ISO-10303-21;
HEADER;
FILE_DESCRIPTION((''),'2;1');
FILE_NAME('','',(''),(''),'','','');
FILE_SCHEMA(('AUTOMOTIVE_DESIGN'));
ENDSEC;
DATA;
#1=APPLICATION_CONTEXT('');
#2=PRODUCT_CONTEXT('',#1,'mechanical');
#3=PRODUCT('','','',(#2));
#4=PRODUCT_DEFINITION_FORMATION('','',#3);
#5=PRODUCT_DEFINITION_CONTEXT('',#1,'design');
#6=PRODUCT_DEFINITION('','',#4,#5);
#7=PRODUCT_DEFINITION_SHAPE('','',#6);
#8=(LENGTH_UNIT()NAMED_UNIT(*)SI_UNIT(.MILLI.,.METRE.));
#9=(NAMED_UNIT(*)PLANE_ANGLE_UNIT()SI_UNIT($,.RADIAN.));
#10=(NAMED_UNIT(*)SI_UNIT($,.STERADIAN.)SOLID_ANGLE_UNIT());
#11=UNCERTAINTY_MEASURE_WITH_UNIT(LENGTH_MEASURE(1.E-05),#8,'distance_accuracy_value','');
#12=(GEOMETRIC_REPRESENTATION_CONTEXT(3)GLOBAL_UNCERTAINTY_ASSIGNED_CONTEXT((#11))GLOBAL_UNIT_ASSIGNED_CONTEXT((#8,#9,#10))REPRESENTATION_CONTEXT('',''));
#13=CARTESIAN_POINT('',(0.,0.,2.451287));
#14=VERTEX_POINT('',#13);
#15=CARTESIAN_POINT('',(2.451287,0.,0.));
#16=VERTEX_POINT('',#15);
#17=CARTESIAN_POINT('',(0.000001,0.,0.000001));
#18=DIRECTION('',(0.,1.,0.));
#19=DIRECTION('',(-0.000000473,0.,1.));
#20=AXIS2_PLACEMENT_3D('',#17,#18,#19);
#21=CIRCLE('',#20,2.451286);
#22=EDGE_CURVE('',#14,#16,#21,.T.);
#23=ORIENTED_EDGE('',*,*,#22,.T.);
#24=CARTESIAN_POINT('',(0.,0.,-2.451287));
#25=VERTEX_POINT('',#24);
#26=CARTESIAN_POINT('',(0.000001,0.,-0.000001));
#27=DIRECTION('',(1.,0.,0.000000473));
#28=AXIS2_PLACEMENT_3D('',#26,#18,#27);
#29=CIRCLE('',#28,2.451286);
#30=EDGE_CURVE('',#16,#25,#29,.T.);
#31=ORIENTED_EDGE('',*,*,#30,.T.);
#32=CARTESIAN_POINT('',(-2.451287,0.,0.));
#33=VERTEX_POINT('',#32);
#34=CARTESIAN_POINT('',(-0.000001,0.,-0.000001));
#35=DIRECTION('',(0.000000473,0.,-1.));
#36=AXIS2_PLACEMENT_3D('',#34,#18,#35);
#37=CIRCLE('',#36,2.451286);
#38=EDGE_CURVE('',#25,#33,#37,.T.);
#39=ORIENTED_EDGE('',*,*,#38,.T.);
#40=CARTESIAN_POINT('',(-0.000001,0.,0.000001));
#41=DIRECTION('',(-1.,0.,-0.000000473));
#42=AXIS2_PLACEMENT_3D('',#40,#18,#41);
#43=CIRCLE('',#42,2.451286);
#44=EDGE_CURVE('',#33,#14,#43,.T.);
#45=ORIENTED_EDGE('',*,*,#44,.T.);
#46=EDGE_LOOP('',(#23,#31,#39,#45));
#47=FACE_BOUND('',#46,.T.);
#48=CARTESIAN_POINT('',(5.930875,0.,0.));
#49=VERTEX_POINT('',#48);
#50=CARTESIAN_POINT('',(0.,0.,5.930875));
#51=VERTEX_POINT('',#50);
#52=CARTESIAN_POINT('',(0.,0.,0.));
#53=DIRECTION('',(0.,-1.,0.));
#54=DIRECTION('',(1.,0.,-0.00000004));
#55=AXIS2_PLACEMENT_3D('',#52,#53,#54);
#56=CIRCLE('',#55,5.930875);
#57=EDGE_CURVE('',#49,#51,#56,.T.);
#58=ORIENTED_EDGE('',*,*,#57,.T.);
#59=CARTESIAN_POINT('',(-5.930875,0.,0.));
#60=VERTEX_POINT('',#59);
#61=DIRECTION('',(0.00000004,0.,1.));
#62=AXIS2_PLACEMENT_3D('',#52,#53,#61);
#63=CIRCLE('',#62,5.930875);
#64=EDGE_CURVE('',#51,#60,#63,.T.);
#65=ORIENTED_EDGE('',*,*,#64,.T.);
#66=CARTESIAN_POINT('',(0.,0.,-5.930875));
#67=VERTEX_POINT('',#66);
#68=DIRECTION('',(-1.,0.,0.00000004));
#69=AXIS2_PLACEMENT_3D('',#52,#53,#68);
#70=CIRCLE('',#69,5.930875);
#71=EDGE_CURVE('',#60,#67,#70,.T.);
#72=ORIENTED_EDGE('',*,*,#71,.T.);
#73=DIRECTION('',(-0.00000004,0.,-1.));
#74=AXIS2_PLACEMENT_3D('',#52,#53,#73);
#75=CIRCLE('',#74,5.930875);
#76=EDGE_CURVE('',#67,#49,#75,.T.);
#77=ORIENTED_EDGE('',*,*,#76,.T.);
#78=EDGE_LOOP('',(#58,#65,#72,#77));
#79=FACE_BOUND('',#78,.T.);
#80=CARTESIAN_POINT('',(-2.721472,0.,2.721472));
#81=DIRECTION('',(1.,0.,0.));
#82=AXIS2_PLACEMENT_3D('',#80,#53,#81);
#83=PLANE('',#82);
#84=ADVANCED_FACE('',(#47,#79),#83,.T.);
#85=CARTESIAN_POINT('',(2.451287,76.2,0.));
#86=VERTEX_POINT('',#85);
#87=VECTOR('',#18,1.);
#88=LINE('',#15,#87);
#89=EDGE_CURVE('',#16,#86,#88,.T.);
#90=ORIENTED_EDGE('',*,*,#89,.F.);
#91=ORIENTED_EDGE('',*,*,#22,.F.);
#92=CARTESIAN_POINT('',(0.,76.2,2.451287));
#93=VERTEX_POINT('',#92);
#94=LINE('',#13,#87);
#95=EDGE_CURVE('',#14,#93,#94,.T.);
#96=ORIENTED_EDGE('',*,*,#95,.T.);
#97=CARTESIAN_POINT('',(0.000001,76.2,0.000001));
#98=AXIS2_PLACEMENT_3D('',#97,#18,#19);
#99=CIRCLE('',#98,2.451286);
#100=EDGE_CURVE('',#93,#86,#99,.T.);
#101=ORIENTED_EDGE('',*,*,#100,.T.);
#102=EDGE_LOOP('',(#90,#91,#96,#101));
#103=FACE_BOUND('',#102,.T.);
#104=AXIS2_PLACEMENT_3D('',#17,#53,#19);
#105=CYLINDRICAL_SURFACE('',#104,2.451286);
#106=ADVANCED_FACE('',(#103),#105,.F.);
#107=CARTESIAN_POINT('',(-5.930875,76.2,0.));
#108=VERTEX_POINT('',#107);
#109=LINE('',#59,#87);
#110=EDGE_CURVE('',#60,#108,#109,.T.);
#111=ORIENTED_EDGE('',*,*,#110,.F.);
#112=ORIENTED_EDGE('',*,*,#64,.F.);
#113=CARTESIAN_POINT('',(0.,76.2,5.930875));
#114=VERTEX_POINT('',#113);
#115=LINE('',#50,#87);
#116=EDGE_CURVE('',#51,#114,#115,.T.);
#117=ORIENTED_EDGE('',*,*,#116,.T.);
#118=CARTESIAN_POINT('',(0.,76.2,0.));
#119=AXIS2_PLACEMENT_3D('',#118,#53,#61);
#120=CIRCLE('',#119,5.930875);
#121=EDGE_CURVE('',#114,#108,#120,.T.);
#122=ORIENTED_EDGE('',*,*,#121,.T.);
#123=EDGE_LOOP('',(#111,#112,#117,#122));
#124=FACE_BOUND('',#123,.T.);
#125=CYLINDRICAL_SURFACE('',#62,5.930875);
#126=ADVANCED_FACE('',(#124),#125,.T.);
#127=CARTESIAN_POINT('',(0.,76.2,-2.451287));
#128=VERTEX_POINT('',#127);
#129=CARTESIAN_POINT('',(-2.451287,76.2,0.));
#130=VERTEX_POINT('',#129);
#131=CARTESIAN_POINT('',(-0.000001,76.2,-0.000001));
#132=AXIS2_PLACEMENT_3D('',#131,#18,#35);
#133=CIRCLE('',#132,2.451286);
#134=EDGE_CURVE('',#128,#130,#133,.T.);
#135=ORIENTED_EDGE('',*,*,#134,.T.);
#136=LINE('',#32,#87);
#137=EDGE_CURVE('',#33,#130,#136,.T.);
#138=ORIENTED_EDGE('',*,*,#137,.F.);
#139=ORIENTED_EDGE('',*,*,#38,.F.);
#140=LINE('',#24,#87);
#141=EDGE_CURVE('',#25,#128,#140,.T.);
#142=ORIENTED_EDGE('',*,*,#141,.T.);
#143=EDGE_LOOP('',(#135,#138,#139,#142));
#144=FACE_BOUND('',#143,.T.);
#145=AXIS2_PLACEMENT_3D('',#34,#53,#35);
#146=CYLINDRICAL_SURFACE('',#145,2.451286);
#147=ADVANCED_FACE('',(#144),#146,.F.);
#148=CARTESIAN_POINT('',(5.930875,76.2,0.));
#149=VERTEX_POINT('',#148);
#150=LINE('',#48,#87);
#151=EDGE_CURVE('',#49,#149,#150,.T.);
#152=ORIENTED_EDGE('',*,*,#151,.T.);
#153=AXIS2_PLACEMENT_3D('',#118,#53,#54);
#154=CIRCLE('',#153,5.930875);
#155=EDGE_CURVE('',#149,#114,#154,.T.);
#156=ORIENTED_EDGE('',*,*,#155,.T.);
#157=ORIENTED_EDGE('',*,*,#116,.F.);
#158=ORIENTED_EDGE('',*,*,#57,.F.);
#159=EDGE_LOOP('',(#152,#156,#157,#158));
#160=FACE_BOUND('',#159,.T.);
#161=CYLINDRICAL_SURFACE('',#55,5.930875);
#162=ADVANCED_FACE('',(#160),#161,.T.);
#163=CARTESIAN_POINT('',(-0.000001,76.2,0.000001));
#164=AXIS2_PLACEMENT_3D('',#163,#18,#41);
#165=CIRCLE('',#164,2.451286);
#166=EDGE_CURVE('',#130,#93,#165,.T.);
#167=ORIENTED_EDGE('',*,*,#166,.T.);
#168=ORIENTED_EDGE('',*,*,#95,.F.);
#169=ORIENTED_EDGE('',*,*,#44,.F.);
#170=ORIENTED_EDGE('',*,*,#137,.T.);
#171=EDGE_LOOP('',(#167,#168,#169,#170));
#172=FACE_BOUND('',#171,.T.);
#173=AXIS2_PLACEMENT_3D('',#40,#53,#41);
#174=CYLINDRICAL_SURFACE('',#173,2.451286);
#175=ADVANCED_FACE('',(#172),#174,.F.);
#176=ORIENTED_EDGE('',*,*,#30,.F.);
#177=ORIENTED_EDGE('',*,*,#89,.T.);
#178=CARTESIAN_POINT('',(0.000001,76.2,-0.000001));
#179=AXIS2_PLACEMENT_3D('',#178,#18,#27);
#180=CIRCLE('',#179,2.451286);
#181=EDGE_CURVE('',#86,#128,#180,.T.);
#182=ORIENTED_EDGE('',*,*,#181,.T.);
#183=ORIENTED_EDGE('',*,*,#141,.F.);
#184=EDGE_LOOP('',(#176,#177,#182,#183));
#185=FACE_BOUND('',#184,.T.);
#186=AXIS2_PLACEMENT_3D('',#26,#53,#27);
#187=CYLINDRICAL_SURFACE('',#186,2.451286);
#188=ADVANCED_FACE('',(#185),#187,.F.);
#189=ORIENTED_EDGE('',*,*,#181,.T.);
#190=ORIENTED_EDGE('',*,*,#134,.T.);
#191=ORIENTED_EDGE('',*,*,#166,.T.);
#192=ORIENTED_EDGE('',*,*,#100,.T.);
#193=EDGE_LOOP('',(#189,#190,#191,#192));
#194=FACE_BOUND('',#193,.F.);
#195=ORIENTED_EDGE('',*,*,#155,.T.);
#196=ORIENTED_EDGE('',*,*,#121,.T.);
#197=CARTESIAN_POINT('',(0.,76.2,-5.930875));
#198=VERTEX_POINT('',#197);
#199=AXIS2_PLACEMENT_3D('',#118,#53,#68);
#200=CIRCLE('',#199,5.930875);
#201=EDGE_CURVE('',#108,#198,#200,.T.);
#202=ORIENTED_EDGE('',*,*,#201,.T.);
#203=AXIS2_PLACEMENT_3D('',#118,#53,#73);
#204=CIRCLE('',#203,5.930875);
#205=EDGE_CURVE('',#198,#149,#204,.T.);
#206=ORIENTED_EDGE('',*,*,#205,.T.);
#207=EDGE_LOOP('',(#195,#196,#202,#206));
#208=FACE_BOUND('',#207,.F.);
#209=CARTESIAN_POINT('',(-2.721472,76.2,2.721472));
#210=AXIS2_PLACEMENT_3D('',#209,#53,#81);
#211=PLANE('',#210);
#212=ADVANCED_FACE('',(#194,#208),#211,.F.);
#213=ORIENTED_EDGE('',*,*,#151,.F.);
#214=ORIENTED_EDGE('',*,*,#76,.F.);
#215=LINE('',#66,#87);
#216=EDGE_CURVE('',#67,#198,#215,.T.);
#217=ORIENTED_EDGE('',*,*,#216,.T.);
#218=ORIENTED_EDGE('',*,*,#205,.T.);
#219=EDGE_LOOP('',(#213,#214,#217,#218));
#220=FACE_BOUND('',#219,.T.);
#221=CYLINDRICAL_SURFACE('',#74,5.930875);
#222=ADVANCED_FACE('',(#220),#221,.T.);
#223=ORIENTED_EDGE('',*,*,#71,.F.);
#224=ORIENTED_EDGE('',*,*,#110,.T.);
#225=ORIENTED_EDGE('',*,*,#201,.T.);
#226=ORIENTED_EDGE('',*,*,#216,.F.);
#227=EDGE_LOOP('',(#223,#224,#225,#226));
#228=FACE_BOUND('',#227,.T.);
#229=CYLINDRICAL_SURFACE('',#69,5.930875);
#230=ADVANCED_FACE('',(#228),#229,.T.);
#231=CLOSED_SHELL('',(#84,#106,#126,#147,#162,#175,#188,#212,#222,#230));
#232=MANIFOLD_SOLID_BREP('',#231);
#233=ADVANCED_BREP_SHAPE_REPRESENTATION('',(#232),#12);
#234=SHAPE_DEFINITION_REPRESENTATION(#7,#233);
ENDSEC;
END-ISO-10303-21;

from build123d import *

# Parameters (mm, degrees)
F1_DEPTH = 76.2


with BuildPart() as f1:
    # F0 (on Front) → F1 (new body)
    with BuildSketch(Plane.XZ):
        with BuildLine():
            ThreePointArc((-2.451287, 0), (-1.733322, 1.733322), (0, 2.451287))
            Line((0, 2.451287), (0, 5.930875))
            ThreePointArc((0, 5.930875), (-4.193762, 4.193762), (-5.930875, 0))
            Line((-5.930875, 0), (-2.451287, 0))
        make_face()
        with BuildLine():
            ThreePointArc((0, 2.451287), (1.733322, 1.733322), (2.451287, 0))
            Line((2.451287, 0), (5.930875, 0))
            ThreePointArc((5.930875, 0), (4.193762, 4.193762), (0, 5.930875))
            Line((0, 5.930875), (0, 2.451287))
        make_face()
        with BuildLine():
            Line((0, -5.930875), (0, -2.451287))
            ThreePointArc((0, -2.451287), (-1.733322, -1.733322), (-2.451287, 0))
            Line((-2.451287, 0), (-5.930875, 0))
            ThreePointArc((-5.930875, 0), (-4.193762, -4.193762), (0, -5.930875))
        make_face()
        with BuildLine():
            Line((5.930875, 0), (2.451287, 0))
            ThreePointArc((2.451287, 0), (1.733322, -1.733322), (0, -2.451287))
            Line((0, -2.451287), (0, -5.930875))
            ThreePointArc((0, -5.930875), (4.193762, -4.193762), (5.930875, 0))
        make_face()
    extrude(amount=-F1_DEPTH)


solid = f1.part
